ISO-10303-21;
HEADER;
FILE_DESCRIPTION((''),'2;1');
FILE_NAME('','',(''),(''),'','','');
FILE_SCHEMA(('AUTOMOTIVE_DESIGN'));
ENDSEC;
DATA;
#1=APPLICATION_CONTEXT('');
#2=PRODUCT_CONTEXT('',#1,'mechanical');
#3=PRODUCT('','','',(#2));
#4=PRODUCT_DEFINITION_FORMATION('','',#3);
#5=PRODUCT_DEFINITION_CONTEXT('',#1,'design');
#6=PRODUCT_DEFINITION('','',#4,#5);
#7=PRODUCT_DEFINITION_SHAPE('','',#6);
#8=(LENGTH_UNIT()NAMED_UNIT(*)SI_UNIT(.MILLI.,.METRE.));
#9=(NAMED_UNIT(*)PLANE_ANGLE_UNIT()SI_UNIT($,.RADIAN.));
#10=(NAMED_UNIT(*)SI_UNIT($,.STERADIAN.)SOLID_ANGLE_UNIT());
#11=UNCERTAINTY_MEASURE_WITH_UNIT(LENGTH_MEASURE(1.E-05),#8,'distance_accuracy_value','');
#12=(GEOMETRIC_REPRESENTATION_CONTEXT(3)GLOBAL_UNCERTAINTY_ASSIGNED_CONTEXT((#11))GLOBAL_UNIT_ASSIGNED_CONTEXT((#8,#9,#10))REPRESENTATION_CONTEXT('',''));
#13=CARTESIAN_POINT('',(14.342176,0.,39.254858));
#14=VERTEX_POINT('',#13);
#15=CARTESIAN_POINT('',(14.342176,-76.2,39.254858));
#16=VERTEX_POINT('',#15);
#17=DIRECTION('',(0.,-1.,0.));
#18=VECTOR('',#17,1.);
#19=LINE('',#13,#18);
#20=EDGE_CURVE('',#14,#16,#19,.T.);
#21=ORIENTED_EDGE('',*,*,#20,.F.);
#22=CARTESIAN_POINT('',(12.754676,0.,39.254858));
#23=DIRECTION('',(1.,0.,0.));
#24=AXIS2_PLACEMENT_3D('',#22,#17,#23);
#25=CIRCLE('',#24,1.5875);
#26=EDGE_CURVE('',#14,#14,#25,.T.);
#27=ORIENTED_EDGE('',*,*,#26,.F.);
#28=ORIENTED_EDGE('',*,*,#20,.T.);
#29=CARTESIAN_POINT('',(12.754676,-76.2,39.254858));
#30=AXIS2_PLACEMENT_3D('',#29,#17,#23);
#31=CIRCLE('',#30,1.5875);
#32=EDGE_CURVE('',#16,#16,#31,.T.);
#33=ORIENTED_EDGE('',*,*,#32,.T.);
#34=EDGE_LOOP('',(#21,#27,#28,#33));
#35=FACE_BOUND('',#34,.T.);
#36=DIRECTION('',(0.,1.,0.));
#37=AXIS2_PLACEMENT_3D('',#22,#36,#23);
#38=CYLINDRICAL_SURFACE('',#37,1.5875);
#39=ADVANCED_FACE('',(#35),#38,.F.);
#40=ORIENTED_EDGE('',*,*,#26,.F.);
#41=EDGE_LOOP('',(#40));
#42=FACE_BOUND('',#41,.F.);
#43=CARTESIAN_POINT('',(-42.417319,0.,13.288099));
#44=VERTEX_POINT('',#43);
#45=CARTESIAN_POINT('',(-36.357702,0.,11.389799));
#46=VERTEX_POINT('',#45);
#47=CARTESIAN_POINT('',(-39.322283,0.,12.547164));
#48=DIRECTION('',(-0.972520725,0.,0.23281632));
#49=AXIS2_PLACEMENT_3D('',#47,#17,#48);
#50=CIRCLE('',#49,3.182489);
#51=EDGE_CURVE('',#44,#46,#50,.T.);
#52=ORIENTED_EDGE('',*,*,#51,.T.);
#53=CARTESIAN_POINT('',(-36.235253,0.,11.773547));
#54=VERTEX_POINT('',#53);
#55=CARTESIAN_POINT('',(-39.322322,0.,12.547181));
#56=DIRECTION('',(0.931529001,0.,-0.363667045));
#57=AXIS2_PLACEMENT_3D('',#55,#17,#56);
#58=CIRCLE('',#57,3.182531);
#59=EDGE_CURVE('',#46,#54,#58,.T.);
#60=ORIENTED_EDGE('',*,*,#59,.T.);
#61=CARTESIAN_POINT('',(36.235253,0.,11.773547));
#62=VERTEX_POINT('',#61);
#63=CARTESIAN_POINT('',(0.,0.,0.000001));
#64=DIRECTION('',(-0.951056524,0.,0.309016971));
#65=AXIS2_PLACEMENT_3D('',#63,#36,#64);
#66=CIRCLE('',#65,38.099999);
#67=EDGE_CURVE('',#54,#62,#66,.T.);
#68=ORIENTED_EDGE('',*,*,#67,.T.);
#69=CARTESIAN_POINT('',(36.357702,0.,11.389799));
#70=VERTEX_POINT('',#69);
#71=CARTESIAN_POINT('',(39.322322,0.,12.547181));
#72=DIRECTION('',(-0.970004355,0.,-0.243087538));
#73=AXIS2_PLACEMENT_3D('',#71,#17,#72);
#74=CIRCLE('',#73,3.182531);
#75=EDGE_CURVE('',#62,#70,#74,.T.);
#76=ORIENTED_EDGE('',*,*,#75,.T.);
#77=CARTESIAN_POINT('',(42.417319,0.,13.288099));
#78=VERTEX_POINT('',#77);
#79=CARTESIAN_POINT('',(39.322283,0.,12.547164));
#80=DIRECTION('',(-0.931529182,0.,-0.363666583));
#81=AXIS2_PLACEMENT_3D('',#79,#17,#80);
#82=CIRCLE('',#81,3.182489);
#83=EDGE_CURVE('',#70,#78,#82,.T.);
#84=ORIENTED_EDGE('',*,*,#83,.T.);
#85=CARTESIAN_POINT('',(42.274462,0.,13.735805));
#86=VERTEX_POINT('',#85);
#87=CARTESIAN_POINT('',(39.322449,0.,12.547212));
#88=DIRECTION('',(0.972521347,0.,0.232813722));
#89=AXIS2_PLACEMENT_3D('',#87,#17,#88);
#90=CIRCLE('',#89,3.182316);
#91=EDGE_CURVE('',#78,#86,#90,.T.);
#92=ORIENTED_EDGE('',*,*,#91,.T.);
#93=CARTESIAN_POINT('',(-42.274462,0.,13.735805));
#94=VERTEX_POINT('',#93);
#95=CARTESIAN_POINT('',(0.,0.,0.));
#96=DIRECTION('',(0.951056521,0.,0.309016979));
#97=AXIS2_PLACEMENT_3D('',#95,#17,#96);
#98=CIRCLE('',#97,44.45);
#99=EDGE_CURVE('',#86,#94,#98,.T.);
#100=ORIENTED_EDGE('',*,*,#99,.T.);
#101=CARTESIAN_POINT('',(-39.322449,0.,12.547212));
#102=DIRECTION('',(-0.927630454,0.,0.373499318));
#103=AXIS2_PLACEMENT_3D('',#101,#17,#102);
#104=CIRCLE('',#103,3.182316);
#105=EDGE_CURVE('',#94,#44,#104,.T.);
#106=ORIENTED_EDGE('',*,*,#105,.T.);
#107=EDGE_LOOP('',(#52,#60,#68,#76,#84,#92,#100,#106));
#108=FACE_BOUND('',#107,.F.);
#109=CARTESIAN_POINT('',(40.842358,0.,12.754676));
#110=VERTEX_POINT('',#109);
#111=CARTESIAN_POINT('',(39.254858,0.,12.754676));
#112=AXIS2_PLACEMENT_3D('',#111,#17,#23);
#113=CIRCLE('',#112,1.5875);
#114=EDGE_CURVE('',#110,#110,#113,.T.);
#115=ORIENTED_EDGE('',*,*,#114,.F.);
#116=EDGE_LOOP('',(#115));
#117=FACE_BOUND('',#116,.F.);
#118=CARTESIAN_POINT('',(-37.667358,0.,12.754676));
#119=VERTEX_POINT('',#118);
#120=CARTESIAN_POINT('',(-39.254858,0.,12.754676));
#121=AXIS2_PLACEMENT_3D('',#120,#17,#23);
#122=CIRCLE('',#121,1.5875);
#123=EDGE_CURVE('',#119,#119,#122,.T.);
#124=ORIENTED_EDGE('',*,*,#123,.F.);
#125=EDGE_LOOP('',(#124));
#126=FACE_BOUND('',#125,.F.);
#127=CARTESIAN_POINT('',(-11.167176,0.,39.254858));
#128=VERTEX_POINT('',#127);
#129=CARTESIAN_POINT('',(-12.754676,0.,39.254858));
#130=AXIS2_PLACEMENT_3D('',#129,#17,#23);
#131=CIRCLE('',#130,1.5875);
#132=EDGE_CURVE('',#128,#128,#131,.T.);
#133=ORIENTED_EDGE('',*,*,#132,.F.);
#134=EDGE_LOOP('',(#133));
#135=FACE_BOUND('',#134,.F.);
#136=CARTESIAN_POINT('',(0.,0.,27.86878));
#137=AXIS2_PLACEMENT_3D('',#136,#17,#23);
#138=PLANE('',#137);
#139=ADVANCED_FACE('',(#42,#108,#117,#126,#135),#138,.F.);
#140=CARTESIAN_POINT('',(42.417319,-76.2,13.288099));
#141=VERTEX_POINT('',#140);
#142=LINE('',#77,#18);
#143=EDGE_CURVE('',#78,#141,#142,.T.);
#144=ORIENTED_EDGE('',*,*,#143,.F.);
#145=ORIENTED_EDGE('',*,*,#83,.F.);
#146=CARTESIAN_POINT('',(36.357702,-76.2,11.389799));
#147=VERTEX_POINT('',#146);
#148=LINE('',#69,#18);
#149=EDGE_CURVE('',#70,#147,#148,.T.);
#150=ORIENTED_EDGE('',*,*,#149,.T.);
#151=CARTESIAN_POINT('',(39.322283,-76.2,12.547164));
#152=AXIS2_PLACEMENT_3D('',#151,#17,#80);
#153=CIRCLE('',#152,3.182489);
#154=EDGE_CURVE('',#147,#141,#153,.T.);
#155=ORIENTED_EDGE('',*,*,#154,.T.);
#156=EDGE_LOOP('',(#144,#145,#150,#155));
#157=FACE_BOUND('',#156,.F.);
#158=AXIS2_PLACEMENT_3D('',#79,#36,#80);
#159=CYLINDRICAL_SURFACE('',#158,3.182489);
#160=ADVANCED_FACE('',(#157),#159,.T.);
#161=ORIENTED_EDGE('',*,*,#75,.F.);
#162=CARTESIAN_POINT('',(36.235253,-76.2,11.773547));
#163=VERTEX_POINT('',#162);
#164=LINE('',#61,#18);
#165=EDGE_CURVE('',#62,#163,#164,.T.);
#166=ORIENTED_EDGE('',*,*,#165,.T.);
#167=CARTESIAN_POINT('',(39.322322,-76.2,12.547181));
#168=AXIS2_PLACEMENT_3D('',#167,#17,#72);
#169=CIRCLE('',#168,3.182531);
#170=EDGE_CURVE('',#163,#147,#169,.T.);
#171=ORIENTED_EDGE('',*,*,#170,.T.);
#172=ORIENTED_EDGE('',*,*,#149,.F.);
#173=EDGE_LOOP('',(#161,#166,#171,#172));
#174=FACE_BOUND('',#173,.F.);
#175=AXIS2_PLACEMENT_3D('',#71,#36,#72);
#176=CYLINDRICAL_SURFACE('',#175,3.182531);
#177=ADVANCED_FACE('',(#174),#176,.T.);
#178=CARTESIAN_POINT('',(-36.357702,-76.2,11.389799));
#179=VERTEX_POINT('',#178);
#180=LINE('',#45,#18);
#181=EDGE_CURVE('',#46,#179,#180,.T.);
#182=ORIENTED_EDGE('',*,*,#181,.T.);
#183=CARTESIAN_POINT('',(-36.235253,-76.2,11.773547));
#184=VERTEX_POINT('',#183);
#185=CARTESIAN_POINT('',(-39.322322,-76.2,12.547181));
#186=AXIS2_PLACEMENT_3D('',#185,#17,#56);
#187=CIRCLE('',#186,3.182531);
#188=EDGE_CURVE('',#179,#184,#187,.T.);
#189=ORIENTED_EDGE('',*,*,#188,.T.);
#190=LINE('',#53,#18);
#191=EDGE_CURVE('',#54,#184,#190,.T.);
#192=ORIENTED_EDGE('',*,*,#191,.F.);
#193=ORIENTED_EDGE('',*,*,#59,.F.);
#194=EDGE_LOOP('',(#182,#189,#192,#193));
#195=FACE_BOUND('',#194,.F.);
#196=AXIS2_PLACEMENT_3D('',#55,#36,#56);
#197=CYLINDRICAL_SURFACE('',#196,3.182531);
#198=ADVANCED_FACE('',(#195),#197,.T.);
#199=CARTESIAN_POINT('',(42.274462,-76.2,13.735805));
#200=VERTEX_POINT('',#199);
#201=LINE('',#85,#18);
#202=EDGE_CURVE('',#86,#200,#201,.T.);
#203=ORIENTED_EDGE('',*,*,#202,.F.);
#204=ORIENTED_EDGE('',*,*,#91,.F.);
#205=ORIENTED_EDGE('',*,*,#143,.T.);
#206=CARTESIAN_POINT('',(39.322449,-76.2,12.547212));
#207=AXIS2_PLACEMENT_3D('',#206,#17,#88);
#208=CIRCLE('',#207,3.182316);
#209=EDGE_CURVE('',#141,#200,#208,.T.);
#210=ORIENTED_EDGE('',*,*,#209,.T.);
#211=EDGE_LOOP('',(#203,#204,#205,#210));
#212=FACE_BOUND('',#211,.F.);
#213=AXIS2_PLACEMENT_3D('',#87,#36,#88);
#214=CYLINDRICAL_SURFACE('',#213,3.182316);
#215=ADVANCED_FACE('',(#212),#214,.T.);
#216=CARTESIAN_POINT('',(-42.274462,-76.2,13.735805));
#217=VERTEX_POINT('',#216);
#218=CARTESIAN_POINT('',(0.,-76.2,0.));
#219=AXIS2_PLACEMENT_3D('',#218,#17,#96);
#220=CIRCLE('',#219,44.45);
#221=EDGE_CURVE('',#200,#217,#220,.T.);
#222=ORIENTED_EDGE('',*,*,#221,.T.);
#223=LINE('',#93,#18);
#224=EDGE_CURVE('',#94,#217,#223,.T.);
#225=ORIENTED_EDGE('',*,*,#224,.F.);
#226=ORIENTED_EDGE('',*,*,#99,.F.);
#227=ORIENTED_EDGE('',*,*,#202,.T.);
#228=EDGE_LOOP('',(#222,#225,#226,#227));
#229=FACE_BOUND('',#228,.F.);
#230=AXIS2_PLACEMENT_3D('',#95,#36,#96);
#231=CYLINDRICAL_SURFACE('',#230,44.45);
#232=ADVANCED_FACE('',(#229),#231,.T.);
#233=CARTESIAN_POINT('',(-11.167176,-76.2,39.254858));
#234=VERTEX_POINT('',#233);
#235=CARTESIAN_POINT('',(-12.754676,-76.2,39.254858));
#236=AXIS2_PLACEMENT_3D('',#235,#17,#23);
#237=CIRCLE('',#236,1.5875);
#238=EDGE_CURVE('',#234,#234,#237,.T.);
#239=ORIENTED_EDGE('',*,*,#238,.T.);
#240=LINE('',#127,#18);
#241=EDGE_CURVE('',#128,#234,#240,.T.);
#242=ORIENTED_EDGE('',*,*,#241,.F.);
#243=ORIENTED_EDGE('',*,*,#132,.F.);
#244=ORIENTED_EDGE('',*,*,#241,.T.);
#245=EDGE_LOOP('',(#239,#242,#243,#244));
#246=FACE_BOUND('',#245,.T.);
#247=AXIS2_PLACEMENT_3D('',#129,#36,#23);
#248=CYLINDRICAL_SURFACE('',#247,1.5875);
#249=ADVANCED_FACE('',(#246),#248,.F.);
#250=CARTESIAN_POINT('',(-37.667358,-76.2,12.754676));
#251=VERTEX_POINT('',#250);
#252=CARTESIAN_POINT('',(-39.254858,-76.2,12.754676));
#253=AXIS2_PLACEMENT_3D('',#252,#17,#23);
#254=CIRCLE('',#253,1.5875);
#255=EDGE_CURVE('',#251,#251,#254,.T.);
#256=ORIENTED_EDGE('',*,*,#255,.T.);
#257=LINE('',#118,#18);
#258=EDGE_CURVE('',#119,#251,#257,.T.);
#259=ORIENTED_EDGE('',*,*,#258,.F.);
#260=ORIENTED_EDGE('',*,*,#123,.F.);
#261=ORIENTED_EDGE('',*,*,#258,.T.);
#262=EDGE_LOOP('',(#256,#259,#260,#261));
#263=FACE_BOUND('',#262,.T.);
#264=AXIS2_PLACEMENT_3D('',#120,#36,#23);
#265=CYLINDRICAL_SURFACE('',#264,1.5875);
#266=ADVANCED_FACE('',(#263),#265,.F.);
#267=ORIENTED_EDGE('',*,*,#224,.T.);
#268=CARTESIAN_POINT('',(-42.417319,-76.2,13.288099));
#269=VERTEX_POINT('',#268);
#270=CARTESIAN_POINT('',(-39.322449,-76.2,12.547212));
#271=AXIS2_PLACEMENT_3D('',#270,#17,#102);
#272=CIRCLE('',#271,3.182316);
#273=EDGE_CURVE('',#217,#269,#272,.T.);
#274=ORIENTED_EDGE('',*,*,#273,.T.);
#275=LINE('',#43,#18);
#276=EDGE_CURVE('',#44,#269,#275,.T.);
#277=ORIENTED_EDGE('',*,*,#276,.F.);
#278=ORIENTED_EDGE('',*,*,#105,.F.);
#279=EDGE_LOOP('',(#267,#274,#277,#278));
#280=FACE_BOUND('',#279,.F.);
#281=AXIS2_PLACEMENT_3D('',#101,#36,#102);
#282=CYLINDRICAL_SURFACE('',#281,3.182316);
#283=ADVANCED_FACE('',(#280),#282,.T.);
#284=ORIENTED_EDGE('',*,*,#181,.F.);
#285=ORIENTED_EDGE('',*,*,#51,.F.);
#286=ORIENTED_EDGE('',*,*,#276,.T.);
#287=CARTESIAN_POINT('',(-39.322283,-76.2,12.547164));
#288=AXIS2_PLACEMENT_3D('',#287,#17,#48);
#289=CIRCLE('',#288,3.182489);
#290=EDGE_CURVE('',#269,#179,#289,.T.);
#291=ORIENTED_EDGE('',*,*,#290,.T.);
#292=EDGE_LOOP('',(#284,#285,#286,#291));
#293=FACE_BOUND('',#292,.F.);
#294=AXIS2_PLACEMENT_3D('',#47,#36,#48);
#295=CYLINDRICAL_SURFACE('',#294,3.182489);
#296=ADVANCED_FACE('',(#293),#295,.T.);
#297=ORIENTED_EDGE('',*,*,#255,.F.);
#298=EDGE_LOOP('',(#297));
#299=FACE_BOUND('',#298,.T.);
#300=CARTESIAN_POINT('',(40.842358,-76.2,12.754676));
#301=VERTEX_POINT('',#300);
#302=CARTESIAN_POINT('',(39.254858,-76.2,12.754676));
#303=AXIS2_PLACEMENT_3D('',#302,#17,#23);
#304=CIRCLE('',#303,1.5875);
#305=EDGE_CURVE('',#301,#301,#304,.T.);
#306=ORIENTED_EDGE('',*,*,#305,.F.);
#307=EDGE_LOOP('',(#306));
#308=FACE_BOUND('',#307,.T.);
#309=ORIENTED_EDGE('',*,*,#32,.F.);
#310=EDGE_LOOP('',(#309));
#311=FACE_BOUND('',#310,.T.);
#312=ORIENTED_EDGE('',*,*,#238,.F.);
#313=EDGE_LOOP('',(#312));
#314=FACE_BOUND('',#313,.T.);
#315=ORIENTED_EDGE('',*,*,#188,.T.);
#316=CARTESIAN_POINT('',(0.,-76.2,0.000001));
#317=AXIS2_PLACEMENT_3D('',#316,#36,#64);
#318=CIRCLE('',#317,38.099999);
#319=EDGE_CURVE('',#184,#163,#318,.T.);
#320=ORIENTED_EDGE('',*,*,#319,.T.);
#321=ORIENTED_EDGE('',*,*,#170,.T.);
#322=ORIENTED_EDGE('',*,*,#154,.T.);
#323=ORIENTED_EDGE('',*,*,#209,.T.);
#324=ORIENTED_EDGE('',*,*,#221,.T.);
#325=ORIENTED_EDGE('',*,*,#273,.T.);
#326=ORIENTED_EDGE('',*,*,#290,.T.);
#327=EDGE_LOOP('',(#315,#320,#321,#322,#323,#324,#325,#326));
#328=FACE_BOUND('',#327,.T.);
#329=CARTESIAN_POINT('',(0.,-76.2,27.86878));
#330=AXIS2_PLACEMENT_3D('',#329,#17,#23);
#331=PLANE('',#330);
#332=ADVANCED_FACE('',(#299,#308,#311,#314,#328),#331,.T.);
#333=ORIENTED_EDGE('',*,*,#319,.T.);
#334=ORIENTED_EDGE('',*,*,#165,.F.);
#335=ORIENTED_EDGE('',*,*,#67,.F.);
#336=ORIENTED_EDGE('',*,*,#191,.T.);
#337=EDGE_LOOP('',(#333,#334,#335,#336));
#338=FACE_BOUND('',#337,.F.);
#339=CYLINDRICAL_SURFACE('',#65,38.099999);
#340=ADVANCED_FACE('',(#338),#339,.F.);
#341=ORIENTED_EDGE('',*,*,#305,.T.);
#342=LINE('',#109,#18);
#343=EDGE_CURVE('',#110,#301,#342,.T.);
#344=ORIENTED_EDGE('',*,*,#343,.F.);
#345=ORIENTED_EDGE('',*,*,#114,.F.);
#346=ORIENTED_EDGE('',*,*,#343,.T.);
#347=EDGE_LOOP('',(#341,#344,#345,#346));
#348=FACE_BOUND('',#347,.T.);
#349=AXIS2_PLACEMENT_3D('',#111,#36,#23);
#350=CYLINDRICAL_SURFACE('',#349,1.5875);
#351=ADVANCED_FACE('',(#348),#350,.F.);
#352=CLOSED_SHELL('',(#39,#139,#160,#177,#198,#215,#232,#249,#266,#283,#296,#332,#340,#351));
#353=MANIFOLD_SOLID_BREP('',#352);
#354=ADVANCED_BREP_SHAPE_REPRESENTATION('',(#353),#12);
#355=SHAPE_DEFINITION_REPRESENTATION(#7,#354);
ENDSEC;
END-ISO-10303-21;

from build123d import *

# Parameters (mm, degrees)
F0_R     = 1.5875
F1_DEPTH = 76.2


with BuildPart() as f1:
    # F0 (on Front) → F1 (new body)
    with BuildSketch(Plane.XZ):
        with BuildLine():
            ThreePointArc((36.357702, 11.389799), (40.273671, 9.510209), (42.417319, 13.288099))
            ThreePointArc((42.417319, 13.288099), (42.346482, 13.512141), (42.274462, 13.735805))
            ThreePointArc((42.274462, 13.735805), (0, 44.45), (-42.274462, 13.735805))
            ThreePointArc((-42.274462, 13.735805), (-42.346482, 13.512141), (-42.417319, 13.288099))
            ThreePointArc((-42.417319, 13.288099), (-40.273671, 9.510209), (-36.357702, 11.389799))
            ThreePointArc((-36.357702, 11.389799), (-36.296985, 11.581835), (-36.235253, 11.773547))
            ThreePointArc((-36.235253, 11.773547), (0, 38.1), (36.235253, 11.773547))
            ThreePointArc((36.235253, 11.773547), (36.296985, 11.581835), (36.357702, 11.389799))
        make_face()
        with Locations((-39.254858, 12.754676)):
            Circle(F0_R, mode=Mode.SUBTRACT)
        with Locations((39.254858, 12.754676)):
            Circle(F0_R, mode=Mode.SUBTRACT)
        with Locations((-12.754676, 39.254858)):
            Circle(F0_R, mode=Mode.SUBTRACT)
        with Locations((12.754676, 39.254858)):
            Circle(F0_R, mode=Mode.SUBTRACT)
        with BuildLine():
            ThreePointArc((42.274462, 13.735805), (42.346482, 13.512141), (42.417319, 13.288099))
            ThreePointArc((42.417319, 13.288099), (42.354166, 13.514593), (42.274462, 13.735805))
        make_face()
        with BuildLine():
            ThreePointArc((36.235253, 11.773547), (36.2904, 11.579734), (36.357702, 11.389799))
            ThreePointArc((36.357702, 11.389799), (36.296985, 11.581835), (36.235253, 11.773547))
        make_face()
        with BuildLine():
            ThreePointArc((-42.417319, 13.288099), (-42.346482, 13.512141), (-42.274462, 13.735805))
            ThreePointArc((-42.274462, 13.735805), (-42.354166, 13.514593), (-42.417319, 13.288099))
        make_face()
        with BuildLine():
            ThreePointArc((-36.357702, 11.389799), (-36.2904, 11.579734), (-36.235253, 11.773547))
            ThreePointArc((-36.235253, 11.773547), (-36.296985, 11.581835), (-36.357702, 11.389799))
        make_face()
    extrude(amount=F1_DEPTH)


solid = f1.part
